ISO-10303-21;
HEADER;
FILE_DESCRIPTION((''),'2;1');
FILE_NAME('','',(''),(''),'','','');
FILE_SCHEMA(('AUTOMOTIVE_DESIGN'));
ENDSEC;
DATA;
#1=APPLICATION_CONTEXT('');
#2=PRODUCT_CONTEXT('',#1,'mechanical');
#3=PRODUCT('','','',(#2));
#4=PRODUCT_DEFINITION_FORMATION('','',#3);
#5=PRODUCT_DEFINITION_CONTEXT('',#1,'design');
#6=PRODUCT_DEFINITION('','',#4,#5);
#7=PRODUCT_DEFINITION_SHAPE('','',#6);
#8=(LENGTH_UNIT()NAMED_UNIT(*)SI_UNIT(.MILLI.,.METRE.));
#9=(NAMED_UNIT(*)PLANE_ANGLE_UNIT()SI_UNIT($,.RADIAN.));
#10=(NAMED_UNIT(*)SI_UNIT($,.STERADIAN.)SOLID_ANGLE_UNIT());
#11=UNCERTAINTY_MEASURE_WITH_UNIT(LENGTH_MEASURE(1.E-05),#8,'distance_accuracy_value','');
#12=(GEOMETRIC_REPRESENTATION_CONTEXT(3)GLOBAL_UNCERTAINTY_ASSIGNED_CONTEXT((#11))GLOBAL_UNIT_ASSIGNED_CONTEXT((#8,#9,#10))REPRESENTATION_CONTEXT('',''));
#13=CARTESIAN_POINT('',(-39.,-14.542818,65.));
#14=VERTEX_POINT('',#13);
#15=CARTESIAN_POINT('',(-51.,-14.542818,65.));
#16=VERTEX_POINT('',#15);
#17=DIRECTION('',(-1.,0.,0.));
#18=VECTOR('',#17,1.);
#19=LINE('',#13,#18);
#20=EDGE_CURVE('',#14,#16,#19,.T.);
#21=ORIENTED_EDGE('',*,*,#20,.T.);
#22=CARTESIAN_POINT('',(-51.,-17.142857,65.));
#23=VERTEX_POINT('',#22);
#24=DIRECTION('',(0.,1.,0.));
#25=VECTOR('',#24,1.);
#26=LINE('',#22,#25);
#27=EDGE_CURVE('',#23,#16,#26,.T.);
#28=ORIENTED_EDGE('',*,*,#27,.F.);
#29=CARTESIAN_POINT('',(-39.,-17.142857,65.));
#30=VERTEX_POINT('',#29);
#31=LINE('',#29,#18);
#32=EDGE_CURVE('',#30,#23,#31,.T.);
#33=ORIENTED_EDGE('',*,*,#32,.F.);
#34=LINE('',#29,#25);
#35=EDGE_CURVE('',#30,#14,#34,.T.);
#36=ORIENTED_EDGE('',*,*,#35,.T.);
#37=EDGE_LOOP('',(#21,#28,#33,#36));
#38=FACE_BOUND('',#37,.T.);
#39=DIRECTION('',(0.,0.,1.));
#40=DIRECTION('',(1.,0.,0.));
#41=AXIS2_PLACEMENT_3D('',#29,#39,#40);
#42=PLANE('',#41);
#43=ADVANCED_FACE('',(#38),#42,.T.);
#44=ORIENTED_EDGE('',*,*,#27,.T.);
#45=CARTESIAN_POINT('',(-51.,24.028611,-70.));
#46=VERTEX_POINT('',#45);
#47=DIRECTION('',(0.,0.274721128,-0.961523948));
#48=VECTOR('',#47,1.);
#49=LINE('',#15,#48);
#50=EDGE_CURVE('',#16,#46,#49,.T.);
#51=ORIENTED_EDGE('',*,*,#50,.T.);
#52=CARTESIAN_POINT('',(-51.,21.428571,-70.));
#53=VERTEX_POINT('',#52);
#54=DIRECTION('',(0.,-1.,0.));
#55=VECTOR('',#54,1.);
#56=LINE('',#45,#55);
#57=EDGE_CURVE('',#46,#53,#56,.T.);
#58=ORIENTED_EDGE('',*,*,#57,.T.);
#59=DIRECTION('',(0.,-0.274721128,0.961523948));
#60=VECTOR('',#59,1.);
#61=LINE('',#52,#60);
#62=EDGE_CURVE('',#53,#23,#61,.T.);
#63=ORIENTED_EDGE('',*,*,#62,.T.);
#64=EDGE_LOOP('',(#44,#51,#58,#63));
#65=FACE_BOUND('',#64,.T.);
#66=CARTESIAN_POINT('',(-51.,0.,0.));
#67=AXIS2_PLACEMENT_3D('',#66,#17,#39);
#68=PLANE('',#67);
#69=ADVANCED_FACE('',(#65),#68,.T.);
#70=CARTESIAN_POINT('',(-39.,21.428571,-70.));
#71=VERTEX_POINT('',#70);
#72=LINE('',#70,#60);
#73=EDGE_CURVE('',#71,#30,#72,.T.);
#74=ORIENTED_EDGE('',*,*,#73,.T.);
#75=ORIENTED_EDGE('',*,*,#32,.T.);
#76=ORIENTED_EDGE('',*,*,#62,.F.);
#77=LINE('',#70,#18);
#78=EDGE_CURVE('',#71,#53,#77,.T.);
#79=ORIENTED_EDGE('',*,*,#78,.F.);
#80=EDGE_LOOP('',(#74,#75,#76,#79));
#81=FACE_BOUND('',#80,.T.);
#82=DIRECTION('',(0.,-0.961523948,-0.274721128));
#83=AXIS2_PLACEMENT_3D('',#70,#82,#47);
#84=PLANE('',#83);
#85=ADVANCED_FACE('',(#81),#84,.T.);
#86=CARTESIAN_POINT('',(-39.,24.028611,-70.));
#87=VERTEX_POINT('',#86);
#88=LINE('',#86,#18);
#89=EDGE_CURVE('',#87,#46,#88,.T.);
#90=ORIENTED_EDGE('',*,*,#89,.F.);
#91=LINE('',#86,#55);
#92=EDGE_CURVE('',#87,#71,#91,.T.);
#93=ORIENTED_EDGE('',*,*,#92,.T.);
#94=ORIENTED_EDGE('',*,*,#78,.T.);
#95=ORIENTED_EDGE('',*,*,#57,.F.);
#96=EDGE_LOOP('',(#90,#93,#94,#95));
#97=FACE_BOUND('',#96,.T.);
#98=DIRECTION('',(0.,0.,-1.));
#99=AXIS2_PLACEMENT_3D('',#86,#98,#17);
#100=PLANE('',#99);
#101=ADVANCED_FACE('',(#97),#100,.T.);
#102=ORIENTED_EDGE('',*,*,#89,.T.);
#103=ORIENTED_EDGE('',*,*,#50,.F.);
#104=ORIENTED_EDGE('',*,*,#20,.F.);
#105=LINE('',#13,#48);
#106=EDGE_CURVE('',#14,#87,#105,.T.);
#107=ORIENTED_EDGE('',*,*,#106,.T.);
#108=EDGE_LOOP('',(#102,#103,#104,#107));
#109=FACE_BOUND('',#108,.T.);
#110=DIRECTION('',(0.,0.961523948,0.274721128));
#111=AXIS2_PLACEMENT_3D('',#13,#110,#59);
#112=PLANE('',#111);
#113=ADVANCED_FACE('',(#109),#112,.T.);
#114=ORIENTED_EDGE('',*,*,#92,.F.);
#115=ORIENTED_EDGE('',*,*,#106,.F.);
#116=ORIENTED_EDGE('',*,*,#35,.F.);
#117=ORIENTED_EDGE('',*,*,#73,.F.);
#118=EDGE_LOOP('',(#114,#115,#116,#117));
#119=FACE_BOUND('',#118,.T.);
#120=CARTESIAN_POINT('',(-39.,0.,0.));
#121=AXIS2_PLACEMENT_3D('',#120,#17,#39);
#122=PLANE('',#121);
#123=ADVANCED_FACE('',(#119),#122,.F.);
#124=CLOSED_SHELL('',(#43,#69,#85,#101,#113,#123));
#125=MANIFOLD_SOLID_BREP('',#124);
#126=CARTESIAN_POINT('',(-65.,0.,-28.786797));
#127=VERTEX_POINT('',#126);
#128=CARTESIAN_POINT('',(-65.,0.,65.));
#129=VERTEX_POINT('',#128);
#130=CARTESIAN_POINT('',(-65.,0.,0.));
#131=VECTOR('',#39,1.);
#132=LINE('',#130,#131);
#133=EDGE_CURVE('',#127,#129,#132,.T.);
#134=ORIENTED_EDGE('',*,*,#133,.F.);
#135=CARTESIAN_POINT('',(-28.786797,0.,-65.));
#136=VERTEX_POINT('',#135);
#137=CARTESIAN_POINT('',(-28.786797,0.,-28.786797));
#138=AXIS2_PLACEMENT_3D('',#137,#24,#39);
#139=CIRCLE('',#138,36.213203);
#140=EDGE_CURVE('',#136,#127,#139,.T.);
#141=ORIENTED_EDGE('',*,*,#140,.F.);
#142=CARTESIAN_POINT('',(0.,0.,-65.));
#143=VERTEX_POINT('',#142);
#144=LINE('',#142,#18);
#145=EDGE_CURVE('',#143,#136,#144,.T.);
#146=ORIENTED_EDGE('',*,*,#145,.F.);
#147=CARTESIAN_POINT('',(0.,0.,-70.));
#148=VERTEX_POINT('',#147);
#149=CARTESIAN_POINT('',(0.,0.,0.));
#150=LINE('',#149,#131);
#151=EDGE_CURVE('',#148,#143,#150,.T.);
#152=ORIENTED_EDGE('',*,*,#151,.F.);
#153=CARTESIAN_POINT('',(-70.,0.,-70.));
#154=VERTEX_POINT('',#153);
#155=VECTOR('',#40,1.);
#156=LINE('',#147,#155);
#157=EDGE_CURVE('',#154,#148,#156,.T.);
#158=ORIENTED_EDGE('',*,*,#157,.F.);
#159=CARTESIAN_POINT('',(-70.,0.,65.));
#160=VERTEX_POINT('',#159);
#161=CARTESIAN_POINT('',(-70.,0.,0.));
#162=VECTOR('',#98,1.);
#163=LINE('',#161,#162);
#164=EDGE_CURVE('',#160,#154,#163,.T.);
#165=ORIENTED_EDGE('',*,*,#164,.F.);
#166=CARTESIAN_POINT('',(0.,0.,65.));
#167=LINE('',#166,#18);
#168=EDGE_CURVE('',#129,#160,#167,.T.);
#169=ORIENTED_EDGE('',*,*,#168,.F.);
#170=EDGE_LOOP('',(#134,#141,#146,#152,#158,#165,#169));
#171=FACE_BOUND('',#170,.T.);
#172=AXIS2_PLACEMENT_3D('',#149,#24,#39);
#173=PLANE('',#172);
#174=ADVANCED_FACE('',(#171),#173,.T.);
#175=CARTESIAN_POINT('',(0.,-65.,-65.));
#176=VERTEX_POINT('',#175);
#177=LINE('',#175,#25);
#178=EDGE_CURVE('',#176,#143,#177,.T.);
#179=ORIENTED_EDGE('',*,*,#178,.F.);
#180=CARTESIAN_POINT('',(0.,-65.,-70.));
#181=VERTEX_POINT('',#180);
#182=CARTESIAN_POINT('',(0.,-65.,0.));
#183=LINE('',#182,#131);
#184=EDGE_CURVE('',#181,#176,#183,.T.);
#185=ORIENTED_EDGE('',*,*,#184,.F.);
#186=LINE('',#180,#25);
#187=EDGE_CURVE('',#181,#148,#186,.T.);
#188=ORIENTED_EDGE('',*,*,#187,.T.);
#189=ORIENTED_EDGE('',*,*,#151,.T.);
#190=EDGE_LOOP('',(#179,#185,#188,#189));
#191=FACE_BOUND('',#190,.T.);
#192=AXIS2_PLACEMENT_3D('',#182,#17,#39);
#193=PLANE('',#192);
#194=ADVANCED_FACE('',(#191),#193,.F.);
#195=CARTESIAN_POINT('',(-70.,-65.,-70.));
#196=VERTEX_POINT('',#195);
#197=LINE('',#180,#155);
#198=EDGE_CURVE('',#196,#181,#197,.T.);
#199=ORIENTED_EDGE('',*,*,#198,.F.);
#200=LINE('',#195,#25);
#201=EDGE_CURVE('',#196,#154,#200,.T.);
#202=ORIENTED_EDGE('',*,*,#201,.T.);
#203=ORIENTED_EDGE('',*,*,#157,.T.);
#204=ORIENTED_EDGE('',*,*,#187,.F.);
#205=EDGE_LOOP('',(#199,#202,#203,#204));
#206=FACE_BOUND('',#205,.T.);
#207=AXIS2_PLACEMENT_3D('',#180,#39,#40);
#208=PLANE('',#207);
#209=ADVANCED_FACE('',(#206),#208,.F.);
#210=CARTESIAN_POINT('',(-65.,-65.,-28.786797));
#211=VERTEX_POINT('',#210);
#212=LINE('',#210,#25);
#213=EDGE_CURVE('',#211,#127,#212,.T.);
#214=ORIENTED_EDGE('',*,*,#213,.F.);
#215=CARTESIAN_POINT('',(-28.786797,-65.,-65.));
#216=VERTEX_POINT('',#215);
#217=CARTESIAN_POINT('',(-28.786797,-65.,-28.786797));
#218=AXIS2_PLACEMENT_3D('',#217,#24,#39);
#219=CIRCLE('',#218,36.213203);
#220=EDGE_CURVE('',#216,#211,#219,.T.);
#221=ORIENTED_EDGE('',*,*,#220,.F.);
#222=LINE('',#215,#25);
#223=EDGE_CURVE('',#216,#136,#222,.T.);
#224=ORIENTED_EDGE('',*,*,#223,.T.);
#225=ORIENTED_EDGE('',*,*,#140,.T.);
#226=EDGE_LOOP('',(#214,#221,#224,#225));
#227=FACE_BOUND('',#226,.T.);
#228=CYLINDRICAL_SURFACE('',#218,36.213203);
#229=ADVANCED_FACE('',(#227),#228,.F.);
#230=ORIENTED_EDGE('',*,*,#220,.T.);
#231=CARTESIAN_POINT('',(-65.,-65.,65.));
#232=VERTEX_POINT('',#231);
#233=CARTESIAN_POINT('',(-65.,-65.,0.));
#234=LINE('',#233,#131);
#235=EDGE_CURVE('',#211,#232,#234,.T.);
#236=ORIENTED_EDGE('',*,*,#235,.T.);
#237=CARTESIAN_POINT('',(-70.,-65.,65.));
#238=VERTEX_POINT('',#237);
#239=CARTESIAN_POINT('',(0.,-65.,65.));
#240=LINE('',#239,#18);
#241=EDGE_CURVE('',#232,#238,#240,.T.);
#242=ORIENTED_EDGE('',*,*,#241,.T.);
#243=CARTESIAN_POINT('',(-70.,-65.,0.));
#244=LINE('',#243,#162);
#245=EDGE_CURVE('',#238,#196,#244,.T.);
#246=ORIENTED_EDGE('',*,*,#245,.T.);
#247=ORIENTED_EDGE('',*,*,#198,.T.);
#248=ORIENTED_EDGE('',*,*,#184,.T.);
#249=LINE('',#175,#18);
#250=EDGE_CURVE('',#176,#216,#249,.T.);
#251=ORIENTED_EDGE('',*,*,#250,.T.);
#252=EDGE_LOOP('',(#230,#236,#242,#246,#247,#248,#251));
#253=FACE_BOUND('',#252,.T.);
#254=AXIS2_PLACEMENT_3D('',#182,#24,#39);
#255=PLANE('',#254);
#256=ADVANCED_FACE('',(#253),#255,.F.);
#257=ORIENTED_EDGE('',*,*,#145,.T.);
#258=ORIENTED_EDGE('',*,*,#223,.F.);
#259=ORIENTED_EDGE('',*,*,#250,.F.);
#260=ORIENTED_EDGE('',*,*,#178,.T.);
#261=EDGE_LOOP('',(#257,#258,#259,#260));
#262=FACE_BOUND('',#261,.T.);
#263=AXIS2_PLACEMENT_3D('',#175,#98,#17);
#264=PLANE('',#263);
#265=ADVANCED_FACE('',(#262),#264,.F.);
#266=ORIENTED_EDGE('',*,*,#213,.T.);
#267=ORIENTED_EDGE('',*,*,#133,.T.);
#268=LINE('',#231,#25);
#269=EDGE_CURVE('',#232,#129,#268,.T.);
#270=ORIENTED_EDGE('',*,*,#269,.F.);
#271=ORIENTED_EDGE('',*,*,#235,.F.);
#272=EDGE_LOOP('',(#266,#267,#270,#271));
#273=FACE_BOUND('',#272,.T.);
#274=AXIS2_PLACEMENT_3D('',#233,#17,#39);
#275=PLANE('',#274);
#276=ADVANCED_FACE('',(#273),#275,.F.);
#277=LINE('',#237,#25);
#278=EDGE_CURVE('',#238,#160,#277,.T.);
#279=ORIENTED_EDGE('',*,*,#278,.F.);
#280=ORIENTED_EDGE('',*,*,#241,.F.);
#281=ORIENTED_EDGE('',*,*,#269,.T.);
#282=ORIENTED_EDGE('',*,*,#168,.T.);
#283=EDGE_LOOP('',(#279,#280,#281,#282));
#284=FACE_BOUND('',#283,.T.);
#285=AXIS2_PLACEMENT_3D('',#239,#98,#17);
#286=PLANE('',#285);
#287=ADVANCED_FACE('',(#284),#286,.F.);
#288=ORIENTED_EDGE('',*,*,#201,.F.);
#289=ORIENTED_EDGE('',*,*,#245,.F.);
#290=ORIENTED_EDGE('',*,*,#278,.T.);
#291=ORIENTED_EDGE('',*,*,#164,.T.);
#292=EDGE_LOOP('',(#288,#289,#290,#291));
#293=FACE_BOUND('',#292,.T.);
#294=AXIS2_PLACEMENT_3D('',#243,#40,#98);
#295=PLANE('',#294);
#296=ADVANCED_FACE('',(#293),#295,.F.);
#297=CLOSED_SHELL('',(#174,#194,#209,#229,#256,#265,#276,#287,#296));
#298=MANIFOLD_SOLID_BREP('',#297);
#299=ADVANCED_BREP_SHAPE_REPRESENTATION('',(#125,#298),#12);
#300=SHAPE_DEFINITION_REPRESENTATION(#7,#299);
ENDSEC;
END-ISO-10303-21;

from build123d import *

# Parameters (mm, degrees)
BOSS_EXTRUDE1_DEPTH = 65
BOSS_EXTRUDE3_START = -19
BOSS_EXTRUDE3_DEPTH = 12


with BuildPart() as part:
    # Sketch1 → Boss-Extrude1 (new body)
    with BuildSketch(Plane(origin=(0, 0, 0), x_dir=(1, 0, 0), z_dir=(0, 1, 0))):
        Polygon((0, 70), (0, 65), (-65, 65), (-65, -65), (-70, -65), (-70, 70), align=None)
        with BuildLine():
            ThreePointArc((-65, 28.786796564), (-54.393398282, 54.393398282), (-28.786796564, 65))
            Line((-28.786796564, 65), (-65, 65))
            Line((-65, 65), (-65, 28.786796564))
        make_face()
    extrude(amount=-BOSS_EXTRUDE1_DEPTH)


with BuildPart() as body_2:
    # Sketch3 → Boss-Extrude3 (new body)
    with BuildSketch(Plane.ZY.offset(70).offset(BOSS_EXTRUDE3_START)):
        Polygon((-70, 21.428571429), (65, -17.142857143), (65, -14.542817897), (-70, 24.028610675), align=None)
    extrude(amount=-BOSS_EXTRUDE3_DEPTH)


solid = Compound([part.part, body_2.part])
